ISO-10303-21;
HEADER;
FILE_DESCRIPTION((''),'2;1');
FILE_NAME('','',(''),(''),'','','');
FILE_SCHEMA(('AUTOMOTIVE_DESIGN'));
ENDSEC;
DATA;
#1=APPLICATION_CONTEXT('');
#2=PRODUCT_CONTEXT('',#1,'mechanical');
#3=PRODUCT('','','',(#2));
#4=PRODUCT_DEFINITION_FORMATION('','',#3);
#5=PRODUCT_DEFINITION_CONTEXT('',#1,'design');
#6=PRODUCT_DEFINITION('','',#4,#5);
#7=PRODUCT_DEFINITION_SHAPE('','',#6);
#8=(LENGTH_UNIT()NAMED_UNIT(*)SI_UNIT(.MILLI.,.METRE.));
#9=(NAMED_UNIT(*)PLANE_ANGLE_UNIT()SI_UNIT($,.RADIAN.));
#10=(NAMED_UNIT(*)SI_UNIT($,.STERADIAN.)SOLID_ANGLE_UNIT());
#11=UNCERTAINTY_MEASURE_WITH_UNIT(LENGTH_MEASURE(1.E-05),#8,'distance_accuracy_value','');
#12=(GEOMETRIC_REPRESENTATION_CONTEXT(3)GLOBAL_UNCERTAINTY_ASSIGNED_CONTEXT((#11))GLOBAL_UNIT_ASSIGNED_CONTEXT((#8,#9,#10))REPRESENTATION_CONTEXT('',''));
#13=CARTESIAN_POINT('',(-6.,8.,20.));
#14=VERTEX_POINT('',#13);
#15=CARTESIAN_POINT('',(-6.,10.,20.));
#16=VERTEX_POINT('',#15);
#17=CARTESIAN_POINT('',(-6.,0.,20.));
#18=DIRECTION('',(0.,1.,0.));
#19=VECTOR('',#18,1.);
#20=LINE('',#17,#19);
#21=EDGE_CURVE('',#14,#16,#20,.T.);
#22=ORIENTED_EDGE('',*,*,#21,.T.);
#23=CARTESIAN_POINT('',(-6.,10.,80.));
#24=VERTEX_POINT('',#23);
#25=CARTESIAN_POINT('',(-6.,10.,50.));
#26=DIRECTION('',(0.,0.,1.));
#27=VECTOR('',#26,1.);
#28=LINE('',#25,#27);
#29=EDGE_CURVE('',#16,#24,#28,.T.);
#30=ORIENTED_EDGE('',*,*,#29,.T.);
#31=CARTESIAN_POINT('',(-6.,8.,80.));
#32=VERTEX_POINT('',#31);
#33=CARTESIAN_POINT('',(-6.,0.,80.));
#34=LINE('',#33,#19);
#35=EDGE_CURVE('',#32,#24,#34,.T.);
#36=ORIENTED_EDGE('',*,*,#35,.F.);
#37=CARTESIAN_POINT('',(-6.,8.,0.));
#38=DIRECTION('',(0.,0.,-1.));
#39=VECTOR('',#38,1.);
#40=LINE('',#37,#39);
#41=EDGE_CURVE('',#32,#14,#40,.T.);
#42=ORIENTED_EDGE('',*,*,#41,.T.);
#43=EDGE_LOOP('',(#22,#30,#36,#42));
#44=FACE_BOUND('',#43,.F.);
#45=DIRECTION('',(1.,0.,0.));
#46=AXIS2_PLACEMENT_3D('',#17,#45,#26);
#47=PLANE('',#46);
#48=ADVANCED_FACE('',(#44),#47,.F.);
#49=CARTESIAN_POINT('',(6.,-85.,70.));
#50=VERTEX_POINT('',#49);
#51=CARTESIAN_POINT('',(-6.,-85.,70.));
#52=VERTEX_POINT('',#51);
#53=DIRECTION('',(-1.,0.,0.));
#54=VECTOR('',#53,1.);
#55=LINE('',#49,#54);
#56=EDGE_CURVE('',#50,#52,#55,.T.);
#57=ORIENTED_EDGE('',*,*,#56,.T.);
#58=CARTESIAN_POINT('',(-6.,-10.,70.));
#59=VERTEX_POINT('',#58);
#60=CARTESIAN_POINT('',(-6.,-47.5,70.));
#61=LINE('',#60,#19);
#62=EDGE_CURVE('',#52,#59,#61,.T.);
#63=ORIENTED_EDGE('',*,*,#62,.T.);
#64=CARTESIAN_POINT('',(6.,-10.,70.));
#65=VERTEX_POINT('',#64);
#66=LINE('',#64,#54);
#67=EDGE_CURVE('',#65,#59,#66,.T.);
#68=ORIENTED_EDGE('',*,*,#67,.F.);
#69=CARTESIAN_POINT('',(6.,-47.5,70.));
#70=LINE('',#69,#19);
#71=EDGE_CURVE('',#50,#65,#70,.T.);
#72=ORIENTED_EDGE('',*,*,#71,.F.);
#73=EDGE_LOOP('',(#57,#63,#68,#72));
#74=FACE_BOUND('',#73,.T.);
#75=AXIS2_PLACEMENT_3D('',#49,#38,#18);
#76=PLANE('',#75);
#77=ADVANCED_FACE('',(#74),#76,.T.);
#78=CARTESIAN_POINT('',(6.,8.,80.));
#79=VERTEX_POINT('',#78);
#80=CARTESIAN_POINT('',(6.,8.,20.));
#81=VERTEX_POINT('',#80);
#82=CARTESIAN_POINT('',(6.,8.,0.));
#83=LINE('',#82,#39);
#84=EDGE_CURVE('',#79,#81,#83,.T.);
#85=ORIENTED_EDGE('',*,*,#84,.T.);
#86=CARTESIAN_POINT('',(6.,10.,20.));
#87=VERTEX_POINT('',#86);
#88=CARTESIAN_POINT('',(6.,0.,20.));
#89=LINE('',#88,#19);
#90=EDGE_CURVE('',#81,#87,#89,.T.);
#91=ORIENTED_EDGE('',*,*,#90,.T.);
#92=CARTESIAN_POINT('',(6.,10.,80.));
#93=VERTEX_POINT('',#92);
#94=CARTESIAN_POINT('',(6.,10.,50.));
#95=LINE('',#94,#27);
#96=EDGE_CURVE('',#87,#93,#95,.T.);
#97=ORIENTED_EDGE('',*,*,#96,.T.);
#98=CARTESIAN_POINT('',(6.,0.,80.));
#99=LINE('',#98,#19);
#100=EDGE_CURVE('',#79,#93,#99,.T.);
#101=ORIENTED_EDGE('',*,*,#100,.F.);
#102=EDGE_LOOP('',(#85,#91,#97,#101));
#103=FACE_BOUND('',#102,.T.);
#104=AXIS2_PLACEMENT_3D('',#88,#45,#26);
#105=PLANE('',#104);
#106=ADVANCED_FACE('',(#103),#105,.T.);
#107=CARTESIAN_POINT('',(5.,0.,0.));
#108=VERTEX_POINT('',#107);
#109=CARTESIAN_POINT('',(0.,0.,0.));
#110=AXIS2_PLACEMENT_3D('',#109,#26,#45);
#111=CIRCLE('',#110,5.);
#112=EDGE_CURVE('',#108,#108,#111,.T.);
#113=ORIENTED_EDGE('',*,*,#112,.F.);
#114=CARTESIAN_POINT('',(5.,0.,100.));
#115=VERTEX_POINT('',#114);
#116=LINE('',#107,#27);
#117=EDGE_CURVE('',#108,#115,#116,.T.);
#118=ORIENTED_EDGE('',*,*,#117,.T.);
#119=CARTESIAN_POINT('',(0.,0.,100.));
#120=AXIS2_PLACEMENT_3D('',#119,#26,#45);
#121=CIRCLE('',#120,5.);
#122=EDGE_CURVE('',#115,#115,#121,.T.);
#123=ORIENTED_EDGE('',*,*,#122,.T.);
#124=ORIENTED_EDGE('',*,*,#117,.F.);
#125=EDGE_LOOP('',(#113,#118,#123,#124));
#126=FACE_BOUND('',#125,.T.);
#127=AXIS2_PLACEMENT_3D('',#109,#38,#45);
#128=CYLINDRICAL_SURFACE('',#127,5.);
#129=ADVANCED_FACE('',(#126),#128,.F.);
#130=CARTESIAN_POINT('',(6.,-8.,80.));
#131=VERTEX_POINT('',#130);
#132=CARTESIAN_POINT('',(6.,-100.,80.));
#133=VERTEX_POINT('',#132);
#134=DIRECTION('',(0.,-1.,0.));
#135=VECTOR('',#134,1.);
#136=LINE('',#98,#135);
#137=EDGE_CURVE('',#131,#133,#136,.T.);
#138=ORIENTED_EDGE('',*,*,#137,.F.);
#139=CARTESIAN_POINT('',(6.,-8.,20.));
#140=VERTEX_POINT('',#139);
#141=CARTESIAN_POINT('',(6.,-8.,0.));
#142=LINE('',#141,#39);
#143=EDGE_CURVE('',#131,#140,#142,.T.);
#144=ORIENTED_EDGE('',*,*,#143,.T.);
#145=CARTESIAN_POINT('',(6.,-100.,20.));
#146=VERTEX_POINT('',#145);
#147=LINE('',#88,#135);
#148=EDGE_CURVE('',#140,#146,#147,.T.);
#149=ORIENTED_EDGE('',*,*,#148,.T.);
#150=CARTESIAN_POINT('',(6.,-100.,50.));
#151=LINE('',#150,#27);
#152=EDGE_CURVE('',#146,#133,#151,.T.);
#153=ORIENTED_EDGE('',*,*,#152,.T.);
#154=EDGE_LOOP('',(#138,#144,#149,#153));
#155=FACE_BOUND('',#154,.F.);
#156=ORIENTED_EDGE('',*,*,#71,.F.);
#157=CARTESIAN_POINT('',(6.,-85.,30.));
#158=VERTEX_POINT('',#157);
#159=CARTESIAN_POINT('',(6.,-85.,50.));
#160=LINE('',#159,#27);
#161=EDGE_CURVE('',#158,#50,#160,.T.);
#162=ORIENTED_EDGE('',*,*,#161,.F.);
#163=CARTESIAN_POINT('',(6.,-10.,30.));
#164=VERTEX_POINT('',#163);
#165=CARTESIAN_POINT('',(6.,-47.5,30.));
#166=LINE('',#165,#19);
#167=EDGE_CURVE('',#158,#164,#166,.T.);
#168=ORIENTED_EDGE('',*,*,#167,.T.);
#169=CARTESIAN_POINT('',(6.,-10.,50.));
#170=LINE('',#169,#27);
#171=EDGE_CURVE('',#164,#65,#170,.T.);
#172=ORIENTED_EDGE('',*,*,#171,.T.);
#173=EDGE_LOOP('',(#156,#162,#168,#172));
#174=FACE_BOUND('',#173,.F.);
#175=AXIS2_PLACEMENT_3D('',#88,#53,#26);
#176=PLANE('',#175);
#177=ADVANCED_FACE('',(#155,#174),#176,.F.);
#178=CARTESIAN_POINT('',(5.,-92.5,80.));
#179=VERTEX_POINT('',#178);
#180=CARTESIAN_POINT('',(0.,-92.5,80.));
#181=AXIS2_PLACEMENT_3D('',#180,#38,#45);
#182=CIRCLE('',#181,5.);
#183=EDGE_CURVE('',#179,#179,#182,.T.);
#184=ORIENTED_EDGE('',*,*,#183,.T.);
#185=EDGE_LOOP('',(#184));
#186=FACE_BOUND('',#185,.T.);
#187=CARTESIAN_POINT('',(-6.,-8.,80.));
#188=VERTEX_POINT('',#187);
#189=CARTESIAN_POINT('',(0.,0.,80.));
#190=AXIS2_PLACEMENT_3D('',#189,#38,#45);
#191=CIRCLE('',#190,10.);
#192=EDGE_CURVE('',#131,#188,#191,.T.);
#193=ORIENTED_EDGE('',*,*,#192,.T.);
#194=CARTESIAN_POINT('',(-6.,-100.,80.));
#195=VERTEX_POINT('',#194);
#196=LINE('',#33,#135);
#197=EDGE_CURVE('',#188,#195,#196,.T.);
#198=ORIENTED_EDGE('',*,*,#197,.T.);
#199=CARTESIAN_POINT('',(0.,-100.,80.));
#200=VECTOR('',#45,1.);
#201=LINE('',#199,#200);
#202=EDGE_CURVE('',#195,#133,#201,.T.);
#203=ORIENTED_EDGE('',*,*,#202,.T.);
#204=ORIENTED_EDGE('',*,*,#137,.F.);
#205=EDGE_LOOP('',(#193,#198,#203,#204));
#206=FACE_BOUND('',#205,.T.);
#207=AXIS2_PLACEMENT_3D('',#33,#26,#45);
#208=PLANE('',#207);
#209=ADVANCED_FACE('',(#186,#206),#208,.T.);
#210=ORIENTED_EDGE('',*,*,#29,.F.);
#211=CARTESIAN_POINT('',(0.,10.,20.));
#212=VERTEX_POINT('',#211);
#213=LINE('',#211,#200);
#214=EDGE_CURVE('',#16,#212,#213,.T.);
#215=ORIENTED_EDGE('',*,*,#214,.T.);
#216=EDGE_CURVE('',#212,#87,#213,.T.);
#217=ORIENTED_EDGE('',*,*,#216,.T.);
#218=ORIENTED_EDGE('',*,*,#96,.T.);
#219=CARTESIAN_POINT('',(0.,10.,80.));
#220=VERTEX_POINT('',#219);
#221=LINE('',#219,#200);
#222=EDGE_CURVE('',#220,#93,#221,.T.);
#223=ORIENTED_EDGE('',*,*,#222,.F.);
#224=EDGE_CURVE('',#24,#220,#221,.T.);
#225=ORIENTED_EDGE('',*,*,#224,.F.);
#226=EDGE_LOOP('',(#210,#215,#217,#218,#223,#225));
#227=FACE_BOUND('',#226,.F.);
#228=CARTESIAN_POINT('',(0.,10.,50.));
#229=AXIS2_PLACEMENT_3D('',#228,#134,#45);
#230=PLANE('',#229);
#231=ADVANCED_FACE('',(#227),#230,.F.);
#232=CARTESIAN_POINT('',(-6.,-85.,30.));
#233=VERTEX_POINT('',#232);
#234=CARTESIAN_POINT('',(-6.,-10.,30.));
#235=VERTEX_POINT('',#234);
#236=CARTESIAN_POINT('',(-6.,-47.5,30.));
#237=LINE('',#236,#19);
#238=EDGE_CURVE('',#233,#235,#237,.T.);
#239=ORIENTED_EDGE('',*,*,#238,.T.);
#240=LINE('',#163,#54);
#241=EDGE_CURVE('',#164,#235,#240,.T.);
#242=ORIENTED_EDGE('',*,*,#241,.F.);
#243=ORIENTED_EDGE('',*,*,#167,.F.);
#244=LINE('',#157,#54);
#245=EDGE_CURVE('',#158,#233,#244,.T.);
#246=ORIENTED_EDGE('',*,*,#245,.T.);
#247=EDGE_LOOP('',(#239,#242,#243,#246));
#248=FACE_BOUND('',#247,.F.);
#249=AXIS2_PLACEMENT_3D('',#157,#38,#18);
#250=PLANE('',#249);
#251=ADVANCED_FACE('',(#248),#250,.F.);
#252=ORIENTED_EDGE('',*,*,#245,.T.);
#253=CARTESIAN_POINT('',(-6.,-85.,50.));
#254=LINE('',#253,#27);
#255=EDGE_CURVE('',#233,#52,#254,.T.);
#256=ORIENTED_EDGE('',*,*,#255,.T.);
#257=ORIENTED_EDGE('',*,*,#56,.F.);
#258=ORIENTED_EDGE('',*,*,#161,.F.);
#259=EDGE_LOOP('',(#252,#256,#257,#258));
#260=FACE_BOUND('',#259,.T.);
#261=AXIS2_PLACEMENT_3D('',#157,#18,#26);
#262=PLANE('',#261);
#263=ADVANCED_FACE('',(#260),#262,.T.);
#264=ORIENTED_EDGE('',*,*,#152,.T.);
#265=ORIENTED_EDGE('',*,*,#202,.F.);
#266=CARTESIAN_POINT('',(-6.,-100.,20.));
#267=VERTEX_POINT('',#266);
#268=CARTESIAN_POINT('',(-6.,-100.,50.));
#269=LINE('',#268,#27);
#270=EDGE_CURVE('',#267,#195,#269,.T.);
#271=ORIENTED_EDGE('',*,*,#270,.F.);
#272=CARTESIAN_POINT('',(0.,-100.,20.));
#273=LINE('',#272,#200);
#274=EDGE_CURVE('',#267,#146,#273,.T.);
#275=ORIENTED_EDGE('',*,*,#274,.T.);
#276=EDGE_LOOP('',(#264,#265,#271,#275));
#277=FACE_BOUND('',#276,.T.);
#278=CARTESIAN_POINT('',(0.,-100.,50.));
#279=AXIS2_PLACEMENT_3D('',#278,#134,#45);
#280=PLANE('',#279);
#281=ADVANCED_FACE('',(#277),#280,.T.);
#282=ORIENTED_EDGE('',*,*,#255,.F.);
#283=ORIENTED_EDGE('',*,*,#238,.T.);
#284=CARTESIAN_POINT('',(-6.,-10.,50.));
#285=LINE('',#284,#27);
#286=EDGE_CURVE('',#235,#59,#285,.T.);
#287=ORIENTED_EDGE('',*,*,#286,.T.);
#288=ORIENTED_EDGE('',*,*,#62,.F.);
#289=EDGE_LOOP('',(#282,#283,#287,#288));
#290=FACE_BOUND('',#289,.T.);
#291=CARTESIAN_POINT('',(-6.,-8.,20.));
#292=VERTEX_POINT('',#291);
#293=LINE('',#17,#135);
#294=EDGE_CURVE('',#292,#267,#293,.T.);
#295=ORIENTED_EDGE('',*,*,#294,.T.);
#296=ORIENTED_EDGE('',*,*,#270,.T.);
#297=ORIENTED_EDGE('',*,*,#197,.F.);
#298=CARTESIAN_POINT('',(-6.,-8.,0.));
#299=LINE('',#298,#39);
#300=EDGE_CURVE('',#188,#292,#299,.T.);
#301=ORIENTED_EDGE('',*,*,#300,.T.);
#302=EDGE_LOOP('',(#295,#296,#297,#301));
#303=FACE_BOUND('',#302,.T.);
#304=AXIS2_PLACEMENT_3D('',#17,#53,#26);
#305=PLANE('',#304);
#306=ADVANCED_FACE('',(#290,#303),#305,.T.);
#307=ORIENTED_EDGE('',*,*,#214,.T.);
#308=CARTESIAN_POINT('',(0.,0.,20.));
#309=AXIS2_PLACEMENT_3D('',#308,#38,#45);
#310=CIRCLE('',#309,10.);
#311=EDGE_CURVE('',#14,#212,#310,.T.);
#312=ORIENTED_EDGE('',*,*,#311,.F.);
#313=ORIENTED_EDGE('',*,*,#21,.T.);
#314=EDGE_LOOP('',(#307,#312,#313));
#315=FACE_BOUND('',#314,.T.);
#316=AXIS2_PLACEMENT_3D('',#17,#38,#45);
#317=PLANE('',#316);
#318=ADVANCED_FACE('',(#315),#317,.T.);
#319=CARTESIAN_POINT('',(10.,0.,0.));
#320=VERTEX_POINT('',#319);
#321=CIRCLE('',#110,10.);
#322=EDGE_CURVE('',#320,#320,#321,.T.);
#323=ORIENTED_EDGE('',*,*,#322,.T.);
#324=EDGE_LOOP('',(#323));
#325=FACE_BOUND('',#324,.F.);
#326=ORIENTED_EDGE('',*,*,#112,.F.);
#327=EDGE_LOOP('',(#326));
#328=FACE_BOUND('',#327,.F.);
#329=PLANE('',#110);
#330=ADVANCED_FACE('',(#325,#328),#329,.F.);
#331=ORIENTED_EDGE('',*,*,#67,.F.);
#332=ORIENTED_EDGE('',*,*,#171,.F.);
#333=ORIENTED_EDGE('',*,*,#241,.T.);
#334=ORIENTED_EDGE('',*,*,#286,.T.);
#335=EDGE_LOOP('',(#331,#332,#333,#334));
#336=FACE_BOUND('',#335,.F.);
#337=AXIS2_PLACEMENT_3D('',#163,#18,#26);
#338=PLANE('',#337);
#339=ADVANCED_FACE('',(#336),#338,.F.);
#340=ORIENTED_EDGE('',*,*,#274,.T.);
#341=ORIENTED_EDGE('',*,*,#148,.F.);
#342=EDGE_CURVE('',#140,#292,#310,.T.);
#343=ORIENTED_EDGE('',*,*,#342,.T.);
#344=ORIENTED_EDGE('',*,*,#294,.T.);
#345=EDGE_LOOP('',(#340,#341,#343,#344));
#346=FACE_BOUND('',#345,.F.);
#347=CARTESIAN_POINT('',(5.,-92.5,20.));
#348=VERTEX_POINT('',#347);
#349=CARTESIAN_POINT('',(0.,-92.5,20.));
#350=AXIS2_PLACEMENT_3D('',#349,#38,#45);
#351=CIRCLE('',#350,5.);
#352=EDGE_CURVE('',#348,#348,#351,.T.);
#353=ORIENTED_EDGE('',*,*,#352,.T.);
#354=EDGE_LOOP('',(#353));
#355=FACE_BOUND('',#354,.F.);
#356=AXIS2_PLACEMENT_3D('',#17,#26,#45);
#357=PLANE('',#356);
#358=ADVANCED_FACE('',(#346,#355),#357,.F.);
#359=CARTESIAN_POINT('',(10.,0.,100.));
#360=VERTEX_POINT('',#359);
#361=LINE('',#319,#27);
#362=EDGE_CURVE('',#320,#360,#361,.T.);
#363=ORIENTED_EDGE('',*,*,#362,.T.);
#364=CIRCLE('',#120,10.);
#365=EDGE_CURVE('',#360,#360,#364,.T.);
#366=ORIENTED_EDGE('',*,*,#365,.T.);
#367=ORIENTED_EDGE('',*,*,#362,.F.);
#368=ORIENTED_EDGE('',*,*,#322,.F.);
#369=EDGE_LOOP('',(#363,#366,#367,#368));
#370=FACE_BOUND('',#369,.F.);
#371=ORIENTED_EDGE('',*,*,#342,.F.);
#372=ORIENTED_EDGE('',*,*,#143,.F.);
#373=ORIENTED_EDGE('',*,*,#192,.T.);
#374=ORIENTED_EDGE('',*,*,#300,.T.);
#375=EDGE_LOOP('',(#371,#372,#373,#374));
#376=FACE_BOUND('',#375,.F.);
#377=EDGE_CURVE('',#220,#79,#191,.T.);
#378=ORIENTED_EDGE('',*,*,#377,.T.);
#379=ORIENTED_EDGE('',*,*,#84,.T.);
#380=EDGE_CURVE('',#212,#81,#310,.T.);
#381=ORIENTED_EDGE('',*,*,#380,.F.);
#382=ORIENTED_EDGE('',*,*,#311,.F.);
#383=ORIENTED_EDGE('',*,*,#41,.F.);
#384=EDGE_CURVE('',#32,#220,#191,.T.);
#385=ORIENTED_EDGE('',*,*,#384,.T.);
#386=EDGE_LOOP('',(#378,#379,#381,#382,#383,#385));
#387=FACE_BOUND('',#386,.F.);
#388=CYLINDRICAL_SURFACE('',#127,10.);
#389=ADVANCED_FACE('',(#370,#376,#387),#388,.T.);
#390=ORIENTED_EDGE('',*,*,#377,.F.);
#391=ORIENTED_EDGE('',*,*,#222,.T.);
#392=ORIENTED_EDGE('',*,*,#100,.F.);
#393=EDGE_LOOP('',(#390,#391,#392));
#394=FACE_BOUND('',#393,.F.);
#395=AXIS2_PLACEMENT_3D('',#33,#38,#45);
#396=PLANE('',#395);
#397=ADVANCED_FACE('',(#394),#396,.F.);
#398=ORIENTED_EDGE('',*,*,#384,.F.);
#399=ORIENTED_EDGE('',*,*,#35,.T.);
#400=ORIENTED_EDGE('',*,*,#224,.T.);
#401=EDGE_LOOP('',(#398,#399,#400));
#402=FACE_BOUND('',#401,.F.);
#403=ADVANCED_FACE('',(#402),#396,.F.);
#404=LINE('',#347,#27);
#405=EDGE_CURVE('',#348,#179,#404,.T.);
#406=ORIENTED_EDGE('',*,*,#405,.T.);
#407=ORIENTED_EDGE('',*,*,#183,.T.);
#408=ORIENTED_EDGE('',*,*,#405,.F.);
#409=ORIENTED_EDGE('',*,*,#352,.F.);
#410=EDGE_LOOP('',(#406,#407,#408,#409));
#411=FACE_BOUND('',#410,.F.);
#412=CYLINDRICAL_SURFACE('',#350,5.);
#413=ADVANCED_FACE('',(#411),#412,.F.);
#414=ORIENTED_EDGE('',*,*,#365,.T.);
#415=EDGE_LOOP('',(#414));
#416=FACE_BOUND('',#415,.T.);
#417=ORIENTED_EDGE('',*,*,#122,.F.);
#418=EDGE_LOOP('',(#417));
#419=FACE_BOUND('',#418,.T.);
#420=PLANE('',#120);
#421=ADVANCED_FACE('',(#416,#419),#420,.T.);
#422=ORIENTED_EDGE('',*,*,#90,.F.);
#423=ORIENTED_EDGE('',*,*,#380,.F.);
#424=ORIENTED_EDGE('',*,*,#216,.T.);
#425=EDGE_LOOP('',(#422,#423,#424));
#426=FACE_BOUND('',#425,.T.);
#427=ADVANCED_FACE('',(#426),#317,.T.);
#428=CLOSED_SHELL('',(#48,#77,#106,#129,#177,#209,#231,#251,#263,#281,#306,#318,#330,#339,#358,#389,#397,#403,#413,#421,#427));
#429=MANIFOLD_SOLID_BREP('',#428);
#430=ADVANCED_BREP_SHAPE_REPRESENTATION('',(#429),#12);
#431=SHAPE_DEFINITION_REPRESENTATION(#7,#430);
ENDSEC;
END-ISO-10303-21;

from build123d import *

# Parameters (mm, degrees)
F0_R          = 10
F1_DEPTH      = 100
F2_W          = 12
F2_H          = 60
F3_DEPTH      = 100
F3_DEPTH_BACK = 10
F4_W          = 75
F4_H          = 40
F5_DEPTH      = 12
F6_R          = 5
F7_DEPTH      = 100
F8_R          = 5
F9_DEPTH      = 80.001


with BuildPart() as f1:
    # F0 (on Top) → F1 (new body)
    with BuildSketch(Plane.XY):
        Circle(F0_R)
    extrude(amount=F1_DEPTH)

    # F2 (on Front) → F3 (join, two sides)
    with BuildSketch(Plane.XZ) as f3_sk:
        with Locations((0, 50)):
            Rectangle(F2_W, F2_H)
    extrude(amount=F3_DEPTH)
    extrude(f3_sk.sketch, amount=-F3_DEPTH_BACK)

    # F4 (on face) → F5 (cut, through all)
    with BuildSketch(Plane.YZ.offset(6)):
        with Locations((-47.5, 50)):
            Rectangle(F4_W, F4_H)
    extrude(amount=-F5_DEPTH, mode=Mode.SUBTRACT)

    # F6 (on Top) → F7 (cut, through all)
    with BuildSketch(Plane.XY):
        Circle(F6_R)
    extrude(amount=F7_DEPTH, mode=Mode.SUBTRACT)

    # F8 (on face) → F9 (cut, through all)
    with BuildSketch(Plane(origin=(0, 0, 20), x_dir=(1, 0, 0), z_dir=(0, 0, -1))):
        with Locations((0, 92.5)):
            Circle(F8_R)
    extrude(amount=-F9_DEPTH, mode=Mode.SUBTRACT)


solid = f1.part
